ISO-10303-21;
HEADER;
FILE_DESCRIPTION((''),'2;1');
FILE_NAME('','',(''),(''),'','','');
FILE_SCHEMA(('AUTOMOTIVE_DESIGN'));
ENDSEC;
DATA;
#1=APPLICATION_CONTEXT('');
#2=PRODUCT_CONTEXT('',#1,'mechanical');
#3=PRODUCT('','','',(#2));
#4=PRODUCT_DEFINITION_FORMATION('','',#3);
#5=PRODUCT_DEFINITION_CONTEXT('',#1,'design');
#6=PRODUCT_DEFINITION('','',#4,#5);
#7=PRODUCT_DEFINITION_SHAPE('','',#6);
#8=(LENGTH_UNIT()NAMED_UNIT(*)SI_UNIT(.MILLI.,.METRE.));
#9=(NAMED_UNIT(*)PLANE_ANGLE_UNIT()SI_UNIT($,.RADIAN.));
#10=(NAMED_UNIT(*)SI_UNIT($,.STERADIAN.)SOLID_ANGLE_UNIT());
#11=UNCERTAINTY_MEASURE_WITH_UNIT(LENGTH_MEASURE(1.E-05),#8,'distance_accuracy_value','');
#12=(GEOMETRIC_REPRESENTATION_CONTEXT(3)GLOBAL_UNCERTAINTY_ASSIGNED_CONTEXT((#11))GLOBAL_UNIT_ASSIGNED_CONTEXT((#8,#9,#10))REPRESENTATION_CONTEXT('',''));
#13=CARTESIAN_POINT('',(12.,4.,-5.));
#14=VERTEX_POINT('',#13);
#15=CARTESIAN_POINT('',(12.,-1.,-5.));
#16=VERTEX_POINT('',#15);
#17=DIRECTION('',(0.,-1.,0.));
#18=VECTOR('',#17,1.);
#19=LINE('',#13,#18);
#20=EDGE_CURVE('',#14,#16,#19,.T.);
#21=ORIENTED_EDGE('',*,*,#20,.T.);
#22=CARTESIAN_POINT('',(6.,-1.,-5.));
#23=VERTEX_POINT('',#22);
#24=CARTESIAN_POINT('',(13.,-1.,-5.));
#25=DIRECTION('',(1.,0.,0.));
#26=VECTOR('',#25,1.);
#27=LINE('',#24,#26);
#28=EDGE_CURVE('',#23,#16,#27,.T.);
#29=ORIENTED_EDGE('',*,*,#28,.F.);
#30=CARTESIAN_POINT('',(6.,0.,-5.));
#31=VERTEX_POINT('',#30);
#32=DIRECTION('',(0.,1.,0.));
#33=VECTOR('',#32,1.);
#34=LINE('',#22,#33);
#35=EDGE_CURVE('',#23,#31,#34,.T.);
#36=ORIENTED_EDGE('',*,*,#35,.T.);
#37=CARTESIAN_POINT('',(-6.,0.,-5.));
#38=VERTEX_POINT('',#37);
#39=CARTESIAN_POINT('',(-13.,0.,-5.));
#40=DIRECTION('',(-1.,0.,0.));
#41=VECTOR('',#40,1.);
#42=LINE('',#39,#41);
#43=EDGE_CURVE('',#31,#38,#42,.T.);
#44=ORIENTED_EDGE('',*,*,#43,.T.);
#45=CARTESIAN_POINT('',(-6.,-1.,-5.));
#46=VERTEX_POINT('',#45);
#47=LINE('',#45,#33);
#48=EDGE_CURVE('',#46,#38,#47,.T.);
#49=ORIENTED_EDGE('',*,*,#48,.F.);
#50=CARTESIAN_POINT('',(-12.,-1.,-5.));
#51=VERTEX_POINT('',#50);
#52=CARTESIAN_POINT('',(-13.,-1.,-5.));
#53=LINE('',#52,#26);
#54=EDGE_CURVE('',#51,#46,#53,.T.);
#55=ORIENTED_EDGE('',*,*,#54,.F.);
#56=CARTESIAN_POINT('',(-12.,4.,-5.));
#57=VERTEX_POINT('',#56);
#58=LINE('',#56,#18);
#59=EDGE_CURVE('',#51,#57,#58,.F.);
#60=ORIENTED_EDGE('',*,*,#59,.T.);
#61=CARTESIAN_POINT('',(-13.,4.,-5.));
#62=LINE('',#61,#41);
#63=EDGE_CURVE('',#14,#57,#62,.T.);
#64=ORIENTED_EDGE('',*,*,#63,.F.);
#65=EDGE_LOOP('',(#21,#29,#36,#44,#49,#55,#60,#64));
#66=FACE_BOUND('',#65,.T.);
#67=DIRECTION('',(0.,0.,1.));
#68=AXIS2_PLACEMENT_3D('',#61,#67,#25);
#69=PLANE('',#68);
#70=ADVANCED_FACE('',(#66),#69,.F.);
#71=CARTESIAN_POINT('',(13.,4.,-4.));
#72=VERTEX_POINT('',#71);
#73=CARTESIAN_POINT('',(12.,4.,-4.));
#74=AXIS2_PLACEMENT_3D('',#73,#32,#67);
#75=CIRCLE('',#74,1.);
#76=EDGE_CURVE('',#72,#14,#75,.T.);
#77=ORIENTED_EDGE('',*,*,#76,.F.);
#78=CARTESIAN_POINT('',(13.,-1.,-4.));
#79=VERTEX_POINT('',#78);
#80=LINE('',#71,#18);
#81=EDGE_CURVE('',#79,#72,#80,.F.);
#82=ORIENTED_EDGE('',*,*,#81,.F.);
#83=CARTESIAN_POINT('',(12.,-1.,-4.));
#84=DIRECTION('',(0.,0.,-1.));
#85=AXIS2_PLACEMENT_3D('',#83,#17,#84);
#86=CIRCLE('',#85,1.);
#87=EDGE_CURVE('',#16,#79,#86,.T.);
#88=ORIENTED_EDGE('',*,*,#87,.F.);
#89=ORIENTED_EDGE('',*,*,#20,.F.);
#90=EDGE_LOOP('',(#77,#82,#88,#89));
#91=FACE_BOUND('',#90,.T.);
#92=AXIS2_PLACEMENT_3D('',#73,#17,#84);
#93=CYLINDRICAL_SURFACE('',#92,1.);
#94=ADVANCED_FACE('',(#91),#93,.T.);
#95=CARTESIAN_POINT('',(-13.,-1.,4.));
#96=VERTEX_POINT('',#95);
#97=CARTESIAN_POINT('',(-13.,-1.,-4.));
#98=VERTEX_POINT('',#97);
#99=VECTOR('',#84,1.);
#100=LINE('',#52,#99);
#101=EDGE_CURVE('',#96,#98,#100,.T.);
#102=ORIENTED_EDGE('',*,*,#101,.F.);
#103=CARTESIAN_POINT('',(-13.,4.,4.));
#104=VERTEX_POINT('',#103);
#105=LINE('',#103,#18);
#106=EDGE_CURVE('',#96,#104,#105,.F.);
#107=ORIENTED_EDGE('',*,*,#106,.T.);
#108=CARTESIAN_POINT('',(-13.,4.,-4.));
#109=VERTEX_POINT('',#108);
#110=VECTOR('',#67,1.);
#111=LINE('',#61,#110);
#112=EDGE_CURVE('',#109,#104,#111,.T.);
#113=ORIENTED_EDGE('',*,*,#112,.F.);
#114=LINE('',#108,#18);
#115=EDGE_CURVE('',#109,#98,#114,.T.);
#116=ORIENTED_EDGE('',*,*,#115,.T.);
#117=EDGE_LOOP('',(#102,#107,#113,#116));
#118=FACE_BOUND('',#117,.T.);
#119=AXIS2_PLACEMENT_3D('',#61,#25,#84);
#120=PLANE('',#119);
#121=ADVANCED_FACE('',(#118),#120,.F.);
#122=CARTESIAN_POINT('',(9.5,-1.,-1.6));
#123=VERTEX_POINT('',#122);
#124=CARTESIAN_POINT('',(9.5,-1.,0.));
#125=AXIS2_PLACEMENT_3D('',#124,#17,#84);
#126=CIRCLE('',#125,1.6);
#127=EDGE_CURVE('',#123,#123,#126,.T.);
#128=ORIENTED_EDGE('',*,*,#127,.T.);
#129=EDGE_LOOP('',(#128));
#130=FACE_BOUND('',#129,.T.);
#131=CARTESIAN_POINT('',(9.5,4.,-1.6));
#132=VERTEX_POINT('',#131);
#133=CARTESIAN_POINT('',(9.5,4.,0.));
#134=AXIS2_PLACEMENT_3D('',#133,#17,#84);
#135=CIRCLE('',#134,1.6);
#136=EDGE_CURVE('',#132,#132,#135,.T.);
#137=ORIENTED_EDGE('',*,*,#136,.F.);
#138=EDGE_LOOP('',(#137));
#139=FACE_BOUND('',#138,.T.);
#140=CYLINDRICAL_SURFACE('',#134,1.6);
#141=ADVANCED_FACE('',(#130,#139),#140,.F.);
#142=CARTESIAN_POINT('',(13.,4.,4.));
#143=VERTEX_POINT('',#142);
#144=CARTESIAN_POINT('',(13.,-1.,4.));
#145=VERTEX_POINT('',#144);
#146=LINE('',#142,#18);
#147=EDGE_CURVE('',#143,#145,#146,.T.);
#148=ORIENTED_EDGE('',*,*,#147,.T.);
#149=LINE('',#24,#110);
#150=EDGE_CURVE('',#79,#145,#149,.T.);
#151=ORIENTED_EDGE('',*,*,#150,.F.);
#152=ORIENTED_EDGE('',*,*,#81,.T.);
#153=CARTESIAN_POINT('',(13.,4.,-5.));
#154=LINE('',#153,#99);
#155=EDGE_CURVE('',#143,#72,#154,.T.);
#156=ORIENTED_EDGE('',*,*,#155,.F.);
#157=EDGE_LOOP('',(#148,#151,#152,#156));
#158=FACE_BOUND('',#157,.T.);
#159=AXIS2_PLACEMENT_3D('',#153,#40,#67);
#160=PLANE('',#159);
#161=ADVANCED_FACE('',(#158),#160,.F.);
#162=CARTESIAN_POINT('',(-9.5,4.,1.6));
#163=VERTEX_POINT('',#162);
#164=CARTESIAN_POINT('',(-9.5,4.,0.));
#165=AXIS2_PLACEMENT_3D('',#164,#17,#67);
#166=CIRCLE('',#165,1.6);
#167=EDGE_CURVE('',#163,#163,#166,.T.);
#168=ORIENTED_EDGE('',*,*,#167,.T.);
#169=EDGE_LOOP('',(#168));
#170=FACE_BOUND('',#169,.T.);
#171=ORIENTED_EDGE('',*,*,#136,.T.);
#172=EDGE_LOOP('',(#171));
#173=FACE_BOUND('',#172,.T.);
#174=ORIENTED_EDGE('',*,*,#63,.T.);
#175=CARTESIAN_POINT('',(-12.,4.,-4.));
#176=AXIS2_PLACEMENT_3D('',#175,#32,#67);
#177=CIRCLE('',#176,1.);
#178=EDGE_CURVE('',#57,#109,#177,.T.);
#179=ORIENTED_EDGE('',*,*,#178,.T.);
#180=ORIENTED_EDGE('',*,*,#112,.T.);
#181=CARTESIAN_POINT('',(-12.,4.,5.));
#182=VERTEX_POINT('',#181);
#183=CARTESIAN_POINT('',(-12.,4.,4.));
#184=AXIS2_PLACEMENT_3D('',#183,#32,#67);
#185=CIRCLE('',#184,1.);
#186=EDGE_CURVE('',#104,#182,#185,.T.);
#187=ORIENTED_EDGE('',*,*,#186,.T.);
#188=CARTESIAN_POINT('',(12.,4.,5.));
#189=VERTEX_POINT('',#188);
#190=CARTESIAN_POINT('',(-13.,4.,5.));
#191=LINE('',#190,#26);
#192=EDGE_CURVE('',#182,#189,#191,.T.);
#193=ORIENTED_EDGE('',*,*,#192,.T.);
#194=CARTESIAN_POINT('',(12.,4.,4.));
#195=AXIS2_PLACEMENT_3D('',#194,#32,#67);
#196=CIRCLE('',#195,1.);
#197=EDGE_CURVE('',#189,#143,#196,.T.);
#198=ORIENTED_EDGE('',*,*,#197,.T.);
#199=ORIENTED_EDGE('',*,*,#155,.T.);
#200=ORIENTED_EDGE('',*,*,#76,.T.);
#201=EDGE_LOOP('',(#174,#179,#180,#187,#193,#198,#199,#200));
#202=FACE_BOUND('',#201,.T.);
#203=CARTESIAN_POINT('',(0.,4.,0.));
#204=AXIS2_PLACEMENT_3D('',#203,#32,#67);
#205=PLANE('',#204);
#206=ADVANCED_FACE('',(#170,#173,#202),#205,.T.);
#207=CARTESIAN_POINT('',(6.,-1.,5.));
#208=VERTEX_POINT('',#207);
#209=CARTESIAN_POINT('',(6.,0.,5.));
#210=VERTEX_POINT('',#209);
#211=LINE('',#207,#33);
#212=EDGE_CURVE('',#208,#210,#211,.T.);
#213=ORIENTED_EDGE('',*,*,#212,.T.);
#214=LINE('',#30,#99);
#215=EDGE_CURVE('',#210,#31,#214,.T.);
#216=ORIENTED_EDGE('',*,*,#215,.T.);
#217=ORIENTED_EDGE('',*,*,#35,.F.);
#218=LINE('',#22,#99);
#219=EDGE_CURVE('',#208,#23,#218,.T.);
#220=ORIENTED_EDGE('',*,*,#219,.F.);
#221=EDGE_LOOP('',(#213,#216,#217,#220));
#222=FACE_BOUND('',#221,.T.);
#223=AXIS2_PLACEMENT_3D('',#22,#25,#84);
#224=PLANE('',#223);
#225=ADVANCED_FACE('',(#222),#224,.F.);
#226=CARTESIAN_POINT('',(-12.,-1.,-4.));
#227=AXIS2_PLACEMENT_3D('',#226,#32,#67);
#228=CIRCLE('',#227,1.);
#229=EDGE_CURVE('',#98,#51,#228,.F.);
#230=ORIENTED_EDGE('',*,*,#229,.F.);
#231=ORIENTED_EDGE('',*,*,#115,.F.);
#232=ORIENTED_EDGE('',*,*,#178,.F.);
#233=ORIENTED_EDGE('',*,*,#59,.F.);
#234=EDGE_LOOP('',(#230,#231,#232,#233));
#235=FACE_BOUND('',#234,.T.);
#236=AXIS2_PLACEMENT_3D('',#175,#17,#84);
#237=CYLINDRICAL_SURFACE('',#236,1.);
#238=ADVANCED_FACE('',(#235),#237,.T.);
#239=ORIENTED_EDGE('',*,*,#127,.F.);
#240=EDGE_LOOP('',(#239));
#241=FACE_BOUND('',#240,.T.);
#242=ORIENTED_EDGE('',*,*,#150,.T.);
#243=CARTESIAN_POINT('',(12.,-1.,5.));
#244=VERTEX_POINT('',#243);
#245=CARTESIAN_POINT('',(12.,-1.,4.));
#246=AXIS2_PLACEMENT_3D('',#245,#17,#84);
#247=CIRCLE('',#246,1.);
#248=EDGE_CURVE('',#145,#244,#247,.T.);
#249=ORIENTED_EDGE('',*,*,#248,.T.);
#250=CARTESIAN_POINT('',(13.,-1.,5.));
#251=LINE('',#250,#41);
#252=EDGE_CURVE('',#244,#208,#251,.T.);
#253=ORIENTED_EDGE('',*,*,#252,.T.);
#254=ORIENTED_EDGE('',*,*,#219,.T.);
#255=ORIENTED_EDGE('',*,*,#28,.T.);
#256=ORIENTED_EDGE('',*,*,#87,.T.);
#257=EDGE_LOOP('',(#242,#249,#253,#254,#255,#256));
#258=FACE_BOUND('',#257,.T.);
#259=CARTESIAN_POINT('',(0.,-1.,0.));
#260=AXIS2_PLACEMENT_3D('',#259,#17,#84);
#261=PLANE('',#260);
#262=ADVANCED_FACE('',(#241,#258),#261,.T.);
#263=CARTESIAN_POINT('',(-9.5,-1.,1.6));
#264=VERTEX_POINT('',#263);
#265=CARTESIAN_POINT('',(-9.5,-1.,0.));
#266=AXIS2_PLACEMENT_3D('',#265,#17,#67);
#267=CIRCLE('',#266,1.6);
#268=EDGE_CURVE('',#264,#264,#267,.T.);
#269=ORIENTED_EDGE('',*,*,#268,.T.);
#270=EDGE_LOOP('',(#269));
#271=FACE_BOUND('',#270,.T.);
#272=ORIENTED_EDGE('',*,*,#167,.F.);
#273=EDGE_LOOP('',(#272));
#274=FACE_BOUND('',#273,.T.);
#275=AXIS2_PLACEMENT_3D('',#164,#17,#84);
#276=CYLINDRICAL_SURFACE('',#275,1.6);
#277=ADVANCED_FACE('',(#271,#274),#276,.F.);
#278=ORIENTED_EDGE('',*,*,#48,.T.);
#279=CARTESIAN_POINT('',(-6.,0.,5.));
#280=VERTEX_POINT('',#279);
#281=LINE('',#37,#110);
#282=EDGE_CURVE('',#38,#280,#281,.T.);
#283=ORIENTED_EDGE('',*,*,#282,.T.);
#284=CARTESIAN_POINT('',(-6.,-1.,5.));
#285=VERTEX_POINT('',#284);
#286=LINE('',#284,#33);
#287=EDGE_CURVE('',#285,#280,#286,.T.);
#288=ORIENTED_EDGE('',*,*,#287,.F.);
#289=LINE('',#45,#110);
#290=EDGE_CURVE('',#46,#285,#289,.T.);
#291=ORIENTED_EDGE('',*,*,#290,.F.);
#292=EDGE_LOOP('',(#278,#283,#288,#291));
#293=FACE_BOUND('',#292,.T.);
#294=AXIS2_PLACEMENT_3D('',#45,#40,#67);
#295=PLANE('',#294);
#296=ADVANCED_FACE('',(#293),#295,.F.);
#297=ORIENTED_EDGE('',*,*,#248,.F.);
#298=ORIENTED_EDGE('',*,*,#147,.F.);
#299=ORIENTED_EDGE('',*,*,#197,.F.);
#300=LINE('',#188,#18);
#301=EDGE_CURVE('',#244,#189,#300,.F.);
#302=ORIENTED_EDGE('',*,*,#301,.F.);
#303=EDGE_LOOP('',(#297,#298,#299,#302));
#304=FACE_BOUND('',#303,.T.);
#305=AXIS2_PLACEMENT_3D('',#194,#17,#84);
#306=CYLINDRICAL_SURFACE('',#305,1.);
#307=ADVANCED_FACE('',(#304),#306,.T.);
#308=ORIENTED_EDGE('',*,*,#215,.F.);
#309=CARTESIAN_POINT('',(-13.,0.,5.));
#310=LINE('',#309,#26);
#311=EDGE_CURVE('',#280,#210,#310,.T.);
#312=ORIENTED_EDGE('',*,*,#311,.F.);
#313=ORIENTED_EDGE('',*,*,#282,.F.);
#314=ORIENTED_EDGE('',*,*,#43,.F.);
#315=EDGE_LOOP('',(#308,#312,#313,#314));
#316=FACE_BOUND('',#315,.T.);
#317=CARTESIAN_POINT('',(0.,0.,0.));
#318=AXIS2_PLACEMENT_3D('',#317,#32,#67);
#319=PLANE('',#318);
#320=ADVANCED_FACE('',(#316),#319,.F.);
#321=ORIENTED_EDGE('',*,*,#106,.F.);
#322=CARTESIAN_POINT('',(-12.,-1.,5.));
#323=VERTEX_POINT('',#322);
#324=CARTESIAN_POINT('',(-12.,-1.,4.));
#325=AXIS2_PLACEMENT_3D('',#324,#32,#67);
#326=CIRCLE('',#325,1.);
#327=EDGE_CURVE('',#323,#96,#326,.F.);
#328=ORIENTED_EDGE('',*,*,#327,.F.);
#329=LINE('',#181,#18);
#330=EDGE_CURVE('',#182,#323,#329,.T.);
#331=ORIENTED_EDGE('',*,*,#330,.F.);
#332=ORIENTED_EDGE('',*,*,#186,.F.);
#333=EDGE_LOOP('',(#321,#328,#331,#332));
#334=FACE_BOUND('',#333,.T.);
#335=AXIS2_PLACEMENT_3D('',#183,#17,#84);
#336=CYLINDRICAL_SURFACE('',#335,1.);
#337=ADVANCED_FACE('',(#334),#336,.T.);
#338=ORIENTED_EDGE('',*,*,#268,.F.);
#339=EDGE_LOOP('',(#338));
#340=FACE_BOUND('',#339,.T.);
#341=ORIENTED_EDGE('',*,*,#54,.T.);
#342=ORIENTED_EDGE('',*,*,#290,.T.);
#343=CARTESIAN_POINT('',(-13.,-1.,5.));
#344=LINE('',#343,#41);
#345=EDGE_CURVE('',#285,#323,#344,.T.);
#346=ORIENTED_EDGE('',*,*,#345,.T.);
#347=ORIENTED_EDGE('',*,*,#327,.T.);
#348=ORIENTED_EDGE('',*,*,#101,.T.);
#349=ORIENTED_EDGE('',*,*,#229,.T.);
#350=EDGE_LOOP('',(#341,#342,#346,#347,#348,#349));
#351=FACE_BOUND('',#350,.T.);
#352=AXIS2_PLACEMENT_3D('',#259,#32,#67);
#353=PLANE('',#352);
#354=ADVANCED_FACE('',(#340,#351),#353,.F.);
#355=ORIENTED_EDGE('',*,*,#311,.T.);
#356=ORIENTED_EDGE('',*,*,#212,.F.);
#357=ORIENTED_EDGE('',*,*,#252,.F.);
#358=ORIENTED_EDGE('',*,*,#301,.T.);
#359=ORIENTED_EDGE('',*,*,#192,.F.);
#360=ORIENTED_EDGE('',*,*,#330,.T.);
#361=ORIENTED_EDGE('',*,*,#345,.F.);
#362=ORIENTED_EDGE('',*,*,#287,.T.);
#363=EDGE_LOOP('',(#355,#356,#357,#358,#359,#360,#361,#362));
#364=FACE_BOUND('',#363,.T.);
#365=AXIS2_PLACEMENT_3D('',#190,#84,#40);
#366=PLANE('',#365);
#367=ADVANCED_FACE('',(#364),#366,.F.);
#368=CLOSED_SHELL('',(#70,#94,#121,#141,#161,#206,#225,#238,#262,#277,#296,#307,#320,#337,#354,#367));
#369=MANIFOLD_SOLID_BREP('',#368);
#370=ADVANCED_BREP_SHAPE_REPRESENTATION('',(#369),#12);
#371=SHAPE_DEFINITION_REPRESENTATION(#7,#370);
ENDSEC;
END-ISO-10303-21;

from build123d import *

# Parameters (mm, degrees)
SKETCH_2_W          = 26
SKETCH_2_H          = 10
EXTRUDE_1_DEPTH     = 4
SKETCH_3_W          = 7
SKETCH_3_H          = 10
EXTRUDE_2_DEPTH     = 1
SKETCH_4_R          = 1.6
CUT_EXTRUDE_1_DEPTH = 6
FILLET_1_R          = 1


with BuildPart() as part:
    # 草图2 → 凸台-拉伸1 (new body)
    with BuildSketch(Plane(origin=(0, 0, 0), x_dir=(1, 0, 0), z_dir=(0, 1, 0))):
        Rectangle(SKETCH_2_W, SKETCH_2_H)
    extrude(amount=EXTRUDE_1_DEPTH)

    # 草图3 → 凸台-拉伸2 (add)
    with BuildSketch(Plane.XZ):
        with Locations((9.5, 0)):
            Rectangle(SKETCH_3_W, SKETCH_3_H)
        with Locations((-9.5, 0)):
            Rectangle(SKETCH_3_W, SKETCH_3_H)
    extrude(amount=EXTRUDE_2_DEPTH)

    # 草图4 → 切除-拉伸1 (cut, through all)
    with BuildSketch(Plane.XZ.offset(1)):
        with Locations((9.5, 0)):
            Circle(SKETCH_4_R)
        with Locations((-9.5, 0)):
            Circle(SKETCH_4_R)
    extrude(amount=-CUT_EXTRUDE_1_DEPTH, mode=Mode.SUBTRACT)

    # 圆角1
    fillet_1_edges = [part.edges().sort_by_distance(p)[0] for p in [
        (13, 1.5, 5),
        (-13, 1.5, 5),
        (-13, 1.5, -5),
        (13, 1.5, -5),
    ]]
    fillet(fillet_1_edges, radius=FILLET_1_R)


solid = part.part
